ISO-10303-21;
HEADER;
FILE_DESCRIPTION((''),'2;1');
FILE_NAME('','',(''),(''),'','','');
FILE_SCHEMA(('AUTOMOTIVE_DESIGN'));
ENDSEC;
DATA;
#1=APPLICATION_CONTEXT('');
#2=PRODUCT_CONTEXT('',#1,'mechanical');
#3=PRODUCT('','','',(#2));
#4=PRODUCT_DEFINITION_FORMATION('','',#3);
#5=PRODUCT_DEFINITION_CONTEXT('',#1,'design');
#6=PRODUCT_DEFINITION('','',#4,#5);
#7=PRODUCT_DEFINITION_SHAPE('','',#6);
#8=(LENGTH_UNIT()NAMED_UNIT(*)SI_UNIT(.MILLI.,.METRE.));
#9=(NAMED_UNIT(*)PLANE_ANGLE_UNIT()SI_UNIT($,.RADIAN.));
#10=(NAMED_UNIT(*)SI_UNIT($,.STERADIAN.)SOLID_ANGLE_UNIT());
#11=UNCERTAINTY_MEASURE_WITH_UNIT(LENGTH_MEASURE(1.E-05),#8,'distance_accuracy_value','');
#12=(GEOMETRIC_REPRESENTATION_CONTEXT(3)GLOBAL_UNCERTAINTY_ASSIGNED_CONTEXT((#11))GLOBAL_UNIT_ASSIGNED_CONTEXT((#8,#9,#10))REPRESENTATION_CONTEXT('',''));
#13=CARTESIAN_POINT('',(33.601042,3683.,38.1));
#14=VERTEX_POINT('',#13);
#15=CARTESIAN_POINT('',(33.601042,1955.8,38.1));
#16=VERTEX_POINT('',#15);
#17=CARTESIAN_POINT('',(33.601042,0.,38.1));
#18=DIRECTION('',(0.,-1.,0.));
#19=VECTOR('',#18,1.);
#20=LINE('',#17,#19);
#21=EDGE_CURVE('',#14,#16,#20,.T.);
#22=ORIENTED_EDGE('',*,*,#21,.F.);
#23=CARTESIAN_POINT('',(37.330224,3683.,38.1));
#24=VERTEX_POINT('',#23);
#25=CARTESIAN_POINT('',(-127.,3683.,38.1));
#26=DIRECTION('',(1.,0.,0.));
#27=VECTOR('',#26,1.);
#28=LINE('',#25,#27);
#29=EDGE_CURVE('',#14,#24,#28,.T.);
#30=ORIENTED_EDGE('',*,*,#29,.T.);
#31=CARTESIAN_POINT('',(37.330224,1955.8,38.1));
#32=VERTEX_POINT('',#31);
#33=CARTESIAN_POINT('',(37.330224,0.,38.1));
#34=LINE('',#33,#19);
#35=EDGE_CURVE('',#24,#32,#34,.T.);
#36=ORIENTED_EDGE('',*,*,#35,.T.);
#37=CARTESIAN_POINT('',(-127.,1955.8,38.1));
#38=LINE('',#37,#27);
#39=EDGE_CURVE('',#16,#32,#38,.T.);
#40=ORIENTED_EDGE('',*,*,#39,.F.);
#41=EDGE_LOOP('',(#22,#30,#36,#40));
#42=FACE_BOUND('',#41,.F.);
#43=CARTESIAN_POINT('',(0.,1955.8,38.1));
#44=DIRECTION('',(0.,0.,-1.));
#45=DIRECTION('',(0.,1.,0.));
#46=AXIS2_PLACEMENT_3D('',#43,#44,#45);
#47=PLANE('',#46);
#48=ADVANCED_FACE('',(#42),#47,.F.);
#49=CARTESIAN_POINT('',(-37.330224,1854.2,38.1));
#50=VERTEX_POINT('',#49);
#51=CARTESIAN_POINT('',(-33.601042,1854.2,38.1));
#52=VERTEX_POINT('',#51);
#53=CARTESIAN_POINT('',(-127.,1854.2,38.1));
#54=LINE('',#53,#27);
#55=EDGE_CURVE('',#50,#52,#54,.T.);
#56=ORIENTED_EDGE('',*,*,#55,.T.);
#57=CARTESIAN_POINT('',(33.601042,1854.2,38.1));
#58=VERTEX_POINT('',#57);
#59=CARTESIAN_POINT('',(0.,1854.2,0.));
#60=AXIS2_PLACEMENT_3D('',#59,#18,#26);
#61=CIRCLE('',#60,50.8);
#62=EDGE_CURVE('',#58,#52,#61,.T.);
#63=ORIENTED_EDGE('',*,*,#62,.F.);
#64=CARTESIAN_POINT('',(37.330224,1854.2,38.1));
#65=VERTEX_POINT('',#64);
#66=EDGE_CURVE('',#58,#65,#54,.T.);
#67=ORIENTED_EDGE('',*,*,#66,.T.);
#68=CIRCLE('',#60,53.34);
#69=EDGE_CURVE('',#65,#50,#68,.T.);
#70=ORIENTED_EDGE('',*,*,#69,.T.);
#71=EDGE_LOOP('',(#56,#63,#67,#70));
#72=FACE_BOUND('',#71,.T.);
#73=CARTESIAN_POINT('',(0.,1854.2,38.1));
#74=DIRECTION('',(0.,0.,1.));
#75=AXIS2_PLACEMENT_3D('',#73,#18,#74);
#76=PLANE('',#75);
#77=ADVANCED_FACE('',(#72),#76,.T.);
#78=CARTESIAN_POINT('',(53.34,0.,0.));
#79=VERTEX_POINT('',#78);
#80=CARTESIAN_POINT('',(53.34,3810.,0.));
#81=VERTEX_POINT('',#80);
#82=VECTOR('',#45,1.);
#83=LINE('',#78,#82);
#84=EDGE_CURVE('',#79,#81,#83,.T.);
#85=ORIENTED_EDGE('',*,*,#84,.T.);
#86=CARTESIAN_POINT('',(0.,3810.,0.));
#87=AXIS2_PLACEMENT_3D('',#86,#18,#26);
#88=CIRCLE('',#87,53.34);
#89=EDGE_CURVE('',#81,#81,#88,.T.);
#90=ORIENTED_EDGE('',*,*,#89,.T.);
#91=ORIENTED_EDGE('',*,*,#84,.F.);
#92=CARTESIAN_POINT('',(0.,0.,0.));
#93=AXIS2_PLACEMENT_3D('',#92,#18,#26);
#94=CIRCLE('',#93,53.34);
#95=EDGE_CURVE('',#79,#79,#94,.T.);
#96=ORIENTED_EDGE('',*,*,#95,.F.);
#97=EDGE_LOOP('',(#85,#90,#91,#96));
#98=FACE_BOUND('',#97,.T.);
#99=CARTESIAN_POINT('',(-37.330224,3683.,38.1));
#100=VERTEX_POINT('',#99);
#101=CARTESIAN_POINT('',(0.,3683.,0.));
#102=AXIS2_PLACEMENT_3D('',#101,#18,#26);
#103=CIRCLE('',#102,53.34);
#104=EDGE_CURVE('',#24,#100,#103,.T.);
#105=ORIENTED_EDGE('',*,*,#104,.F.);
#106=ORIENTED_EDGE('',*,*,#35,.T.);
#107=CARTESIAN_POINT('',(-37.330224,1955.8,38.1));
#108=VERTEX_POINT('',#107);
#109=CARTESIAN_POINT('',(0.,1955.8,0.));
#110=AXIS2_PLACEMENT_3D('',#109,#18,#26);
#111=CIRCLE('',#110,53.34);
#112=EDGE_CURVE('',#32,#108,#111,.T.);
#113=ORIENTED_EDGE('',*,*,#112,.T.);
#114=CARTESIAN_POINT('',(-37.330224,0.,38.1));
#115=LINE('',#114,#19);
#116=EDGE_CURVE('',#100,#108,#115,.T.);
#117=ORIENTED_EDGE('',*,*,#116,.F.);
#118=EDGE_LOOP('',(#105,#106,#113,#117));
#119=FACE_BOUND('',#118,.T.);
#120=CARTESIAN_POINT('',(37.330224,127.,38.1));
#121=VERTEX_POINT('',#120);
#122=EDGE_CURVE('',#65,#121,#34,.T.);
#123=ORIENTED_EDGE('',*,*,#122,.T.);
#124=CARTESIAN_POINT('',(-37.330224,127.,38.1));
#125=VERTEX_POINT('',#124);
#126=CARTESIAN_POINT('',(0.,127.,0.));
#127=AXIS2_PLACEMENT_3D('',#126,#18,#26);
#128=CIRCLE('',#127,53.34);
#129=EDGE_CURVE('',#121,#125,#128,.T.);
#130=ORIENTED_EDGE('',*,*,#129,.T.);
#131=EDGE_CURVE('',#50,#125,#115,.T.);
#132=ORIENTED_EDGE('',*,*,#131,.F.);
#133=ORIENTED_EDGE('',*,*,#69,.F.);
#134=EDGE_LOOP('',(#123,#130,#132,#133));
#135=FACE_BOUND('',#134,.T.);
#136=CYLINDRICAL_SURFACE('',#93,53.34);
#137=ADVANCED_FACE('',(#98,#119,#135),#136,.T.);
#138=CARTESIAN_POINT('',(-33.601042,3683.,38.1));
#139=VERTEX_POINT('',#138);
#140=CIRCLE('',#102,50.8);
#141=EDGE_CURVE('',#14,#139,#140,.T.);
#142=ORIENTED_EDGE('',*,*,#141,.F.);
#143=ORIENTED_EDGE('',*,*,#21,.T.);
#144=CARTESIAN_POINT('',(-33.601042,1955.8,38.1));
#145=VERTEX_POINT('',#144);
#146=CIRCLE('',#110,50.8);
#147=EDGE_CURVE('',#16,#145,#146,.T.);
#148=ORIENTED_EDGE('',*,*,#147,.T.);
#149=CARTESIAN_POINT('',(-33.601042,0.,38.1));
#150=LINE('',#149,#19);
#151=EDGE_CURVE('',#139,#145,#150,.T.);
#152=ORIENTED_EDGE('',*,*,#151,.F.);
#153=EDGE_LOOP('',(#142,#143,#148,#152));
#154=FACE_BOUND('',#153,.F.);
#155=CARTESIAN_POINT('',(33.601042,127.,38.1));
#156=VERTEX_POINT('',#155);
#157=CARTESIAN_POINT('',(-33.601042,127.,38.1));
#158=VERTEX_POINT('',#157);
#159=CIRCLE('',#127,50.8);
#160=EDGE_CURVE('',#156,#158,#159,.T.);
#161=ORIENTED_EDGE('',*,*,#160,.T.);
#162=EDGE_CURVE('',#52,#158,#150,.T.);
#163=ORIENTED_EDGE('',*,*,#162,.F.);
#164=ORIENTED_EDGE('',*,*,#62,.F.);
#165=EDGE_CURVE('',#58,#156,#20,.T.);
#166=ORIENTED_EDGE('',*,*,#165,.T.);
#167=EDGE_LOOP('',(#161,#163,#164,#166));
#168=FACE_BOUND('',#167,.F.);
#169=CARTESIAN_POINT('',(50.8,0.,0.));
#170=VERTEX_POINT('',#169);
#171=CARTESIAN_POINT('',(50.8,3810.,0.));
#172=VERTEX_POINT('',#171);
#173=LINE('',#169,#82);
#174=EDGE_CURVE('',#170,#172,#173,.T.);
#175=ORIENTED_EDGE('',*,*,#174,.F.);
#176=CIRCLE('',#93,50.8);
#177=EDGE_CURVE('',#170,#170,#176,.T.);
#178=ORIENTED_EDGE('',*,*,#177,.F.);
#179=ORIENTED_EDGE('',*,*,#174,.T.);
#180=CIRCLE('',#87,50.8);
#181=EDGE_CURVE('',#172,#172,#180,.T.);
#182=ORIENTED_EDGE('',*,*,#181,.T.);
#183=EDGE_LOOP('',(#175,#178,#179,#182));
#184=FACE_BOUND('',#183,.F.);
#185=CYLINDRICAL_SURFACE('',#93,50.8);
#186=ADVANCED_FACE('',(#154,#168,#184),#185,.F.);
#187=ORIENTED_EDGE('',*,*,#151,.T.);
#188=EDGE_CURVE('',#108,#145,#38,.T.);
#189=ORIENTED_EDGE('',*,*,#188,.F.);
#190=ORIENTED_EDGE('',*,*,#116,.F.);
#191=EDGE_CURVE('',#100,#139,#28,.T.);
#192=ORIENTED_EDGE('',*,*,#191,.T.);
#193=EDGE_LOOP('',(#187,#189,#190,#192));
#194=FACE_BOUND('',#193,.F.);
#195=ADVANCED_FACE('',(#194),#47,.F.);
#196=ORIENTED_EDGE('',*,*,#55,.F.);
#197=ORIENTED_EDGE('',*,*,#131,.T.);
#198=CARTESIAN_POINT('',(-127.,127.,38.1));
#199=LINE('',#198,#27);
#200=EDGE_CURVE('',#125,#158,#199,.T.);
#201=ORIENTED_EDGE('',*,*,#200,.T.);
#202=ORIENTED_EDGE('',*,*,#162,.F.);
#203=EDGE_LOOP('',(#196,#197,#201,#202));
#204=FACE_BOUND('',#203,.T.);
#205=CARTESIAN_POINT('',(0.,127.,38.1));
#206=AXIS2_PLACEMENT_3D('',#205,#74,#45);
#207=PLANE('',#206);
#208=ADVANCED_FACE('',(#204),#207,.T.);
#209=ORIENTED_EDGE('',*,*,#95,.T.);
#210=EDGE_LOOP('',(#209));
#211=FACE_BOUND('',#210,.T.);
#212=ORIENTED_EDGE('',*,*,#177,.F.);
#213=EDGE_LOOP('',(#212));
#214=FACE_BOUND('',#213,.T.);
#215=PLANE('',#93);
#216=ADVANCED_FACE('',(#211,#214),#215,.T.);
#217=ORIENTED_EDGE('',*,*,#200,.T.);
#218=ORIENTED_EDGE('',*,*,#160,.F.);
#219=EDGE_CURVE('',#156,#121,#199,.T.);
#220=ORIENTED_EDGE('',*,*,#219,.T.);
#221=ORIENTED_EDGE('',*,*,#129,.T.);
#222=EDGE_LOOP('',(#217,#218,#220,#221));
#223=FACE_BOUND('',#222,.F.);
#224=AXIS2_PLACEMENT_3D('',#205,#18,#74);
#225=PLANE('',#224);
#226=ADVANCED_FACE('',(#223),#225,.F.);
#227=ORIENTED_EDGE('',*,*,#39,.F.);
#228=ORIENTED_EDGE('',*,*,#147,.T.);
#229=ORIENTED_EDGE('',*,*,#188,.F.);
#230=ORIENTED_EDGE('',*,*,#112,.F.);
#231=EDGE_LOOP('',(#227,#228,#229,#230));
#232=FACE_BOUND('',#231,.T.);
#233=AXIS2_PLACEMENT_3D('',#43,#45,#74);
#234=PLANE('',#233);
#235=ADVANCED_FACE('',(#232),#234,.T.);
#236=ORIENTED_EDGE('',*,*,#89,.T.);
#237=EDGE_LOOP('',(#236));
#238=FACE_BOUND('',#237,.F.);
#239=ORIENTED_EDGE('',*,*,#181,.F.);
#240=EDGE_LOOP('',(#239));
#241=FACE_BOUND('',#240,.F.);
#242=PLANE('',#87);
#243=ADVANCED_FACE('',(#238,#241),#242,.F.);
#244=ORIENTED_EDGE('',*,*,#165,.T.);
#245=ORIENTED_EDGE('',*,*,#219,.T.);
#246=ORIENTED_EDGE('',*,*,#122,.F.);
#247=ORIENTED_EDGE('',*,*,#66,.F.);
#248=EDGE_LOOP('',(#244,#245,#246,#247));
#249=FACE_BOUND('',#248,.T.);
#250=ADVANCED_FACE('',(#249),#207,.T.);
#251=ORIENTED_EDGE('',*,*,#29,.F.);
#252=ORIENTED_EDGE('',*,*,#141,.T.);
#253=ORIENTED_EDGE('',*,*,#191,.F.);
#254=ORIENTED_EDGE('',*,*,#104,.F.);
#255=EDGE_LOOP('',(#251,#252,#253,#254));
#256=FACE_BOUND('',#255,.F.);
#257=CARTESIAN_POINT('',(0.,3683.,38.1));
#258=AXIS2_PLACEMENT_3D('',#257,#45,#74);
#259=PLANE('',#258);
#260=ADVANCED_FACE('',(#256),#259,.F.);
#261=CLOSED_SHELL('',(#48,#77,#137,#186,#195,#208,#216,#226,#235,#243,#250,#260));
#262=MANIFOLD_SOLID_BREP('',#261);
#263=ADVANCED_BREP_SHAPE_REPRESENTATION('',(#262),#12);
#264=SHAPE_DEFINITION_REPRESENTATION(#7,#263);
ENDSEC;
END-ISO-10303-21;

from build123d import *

# Parameters (mm, degrees)
F0_R     = 53.34
F0_R_2   = 50.8
F1_DEPTH = 3810
F2_W     = 1727.2
F2_H     = 260.696266
F3_DEPTH = 127


with BuildPart() as f1:
    # F0 (on Front) → F1 (new body)
    with BuildSketch(Plane.XZ):
        Circle(F0_R)
        Circle(F0_R_2, mode=Mode.SUBTRACT)
    extrude(amount=-F1_DEPTH)

    # F2 (on Right) → F3 (cut, symmetric)
    with BuildSketch(Plane.YZ):
        with Locations((990.6, 168.448133)):
            Rectangle(F2_W, F2_H)
        with Locations((2819.4, 168.448133)):
            Rectangle(F2_W, F2_H)
    extrude(amount=F3_DEPTH, both=True, mode=Mode.SUBTRACT)


solid = f1.part
